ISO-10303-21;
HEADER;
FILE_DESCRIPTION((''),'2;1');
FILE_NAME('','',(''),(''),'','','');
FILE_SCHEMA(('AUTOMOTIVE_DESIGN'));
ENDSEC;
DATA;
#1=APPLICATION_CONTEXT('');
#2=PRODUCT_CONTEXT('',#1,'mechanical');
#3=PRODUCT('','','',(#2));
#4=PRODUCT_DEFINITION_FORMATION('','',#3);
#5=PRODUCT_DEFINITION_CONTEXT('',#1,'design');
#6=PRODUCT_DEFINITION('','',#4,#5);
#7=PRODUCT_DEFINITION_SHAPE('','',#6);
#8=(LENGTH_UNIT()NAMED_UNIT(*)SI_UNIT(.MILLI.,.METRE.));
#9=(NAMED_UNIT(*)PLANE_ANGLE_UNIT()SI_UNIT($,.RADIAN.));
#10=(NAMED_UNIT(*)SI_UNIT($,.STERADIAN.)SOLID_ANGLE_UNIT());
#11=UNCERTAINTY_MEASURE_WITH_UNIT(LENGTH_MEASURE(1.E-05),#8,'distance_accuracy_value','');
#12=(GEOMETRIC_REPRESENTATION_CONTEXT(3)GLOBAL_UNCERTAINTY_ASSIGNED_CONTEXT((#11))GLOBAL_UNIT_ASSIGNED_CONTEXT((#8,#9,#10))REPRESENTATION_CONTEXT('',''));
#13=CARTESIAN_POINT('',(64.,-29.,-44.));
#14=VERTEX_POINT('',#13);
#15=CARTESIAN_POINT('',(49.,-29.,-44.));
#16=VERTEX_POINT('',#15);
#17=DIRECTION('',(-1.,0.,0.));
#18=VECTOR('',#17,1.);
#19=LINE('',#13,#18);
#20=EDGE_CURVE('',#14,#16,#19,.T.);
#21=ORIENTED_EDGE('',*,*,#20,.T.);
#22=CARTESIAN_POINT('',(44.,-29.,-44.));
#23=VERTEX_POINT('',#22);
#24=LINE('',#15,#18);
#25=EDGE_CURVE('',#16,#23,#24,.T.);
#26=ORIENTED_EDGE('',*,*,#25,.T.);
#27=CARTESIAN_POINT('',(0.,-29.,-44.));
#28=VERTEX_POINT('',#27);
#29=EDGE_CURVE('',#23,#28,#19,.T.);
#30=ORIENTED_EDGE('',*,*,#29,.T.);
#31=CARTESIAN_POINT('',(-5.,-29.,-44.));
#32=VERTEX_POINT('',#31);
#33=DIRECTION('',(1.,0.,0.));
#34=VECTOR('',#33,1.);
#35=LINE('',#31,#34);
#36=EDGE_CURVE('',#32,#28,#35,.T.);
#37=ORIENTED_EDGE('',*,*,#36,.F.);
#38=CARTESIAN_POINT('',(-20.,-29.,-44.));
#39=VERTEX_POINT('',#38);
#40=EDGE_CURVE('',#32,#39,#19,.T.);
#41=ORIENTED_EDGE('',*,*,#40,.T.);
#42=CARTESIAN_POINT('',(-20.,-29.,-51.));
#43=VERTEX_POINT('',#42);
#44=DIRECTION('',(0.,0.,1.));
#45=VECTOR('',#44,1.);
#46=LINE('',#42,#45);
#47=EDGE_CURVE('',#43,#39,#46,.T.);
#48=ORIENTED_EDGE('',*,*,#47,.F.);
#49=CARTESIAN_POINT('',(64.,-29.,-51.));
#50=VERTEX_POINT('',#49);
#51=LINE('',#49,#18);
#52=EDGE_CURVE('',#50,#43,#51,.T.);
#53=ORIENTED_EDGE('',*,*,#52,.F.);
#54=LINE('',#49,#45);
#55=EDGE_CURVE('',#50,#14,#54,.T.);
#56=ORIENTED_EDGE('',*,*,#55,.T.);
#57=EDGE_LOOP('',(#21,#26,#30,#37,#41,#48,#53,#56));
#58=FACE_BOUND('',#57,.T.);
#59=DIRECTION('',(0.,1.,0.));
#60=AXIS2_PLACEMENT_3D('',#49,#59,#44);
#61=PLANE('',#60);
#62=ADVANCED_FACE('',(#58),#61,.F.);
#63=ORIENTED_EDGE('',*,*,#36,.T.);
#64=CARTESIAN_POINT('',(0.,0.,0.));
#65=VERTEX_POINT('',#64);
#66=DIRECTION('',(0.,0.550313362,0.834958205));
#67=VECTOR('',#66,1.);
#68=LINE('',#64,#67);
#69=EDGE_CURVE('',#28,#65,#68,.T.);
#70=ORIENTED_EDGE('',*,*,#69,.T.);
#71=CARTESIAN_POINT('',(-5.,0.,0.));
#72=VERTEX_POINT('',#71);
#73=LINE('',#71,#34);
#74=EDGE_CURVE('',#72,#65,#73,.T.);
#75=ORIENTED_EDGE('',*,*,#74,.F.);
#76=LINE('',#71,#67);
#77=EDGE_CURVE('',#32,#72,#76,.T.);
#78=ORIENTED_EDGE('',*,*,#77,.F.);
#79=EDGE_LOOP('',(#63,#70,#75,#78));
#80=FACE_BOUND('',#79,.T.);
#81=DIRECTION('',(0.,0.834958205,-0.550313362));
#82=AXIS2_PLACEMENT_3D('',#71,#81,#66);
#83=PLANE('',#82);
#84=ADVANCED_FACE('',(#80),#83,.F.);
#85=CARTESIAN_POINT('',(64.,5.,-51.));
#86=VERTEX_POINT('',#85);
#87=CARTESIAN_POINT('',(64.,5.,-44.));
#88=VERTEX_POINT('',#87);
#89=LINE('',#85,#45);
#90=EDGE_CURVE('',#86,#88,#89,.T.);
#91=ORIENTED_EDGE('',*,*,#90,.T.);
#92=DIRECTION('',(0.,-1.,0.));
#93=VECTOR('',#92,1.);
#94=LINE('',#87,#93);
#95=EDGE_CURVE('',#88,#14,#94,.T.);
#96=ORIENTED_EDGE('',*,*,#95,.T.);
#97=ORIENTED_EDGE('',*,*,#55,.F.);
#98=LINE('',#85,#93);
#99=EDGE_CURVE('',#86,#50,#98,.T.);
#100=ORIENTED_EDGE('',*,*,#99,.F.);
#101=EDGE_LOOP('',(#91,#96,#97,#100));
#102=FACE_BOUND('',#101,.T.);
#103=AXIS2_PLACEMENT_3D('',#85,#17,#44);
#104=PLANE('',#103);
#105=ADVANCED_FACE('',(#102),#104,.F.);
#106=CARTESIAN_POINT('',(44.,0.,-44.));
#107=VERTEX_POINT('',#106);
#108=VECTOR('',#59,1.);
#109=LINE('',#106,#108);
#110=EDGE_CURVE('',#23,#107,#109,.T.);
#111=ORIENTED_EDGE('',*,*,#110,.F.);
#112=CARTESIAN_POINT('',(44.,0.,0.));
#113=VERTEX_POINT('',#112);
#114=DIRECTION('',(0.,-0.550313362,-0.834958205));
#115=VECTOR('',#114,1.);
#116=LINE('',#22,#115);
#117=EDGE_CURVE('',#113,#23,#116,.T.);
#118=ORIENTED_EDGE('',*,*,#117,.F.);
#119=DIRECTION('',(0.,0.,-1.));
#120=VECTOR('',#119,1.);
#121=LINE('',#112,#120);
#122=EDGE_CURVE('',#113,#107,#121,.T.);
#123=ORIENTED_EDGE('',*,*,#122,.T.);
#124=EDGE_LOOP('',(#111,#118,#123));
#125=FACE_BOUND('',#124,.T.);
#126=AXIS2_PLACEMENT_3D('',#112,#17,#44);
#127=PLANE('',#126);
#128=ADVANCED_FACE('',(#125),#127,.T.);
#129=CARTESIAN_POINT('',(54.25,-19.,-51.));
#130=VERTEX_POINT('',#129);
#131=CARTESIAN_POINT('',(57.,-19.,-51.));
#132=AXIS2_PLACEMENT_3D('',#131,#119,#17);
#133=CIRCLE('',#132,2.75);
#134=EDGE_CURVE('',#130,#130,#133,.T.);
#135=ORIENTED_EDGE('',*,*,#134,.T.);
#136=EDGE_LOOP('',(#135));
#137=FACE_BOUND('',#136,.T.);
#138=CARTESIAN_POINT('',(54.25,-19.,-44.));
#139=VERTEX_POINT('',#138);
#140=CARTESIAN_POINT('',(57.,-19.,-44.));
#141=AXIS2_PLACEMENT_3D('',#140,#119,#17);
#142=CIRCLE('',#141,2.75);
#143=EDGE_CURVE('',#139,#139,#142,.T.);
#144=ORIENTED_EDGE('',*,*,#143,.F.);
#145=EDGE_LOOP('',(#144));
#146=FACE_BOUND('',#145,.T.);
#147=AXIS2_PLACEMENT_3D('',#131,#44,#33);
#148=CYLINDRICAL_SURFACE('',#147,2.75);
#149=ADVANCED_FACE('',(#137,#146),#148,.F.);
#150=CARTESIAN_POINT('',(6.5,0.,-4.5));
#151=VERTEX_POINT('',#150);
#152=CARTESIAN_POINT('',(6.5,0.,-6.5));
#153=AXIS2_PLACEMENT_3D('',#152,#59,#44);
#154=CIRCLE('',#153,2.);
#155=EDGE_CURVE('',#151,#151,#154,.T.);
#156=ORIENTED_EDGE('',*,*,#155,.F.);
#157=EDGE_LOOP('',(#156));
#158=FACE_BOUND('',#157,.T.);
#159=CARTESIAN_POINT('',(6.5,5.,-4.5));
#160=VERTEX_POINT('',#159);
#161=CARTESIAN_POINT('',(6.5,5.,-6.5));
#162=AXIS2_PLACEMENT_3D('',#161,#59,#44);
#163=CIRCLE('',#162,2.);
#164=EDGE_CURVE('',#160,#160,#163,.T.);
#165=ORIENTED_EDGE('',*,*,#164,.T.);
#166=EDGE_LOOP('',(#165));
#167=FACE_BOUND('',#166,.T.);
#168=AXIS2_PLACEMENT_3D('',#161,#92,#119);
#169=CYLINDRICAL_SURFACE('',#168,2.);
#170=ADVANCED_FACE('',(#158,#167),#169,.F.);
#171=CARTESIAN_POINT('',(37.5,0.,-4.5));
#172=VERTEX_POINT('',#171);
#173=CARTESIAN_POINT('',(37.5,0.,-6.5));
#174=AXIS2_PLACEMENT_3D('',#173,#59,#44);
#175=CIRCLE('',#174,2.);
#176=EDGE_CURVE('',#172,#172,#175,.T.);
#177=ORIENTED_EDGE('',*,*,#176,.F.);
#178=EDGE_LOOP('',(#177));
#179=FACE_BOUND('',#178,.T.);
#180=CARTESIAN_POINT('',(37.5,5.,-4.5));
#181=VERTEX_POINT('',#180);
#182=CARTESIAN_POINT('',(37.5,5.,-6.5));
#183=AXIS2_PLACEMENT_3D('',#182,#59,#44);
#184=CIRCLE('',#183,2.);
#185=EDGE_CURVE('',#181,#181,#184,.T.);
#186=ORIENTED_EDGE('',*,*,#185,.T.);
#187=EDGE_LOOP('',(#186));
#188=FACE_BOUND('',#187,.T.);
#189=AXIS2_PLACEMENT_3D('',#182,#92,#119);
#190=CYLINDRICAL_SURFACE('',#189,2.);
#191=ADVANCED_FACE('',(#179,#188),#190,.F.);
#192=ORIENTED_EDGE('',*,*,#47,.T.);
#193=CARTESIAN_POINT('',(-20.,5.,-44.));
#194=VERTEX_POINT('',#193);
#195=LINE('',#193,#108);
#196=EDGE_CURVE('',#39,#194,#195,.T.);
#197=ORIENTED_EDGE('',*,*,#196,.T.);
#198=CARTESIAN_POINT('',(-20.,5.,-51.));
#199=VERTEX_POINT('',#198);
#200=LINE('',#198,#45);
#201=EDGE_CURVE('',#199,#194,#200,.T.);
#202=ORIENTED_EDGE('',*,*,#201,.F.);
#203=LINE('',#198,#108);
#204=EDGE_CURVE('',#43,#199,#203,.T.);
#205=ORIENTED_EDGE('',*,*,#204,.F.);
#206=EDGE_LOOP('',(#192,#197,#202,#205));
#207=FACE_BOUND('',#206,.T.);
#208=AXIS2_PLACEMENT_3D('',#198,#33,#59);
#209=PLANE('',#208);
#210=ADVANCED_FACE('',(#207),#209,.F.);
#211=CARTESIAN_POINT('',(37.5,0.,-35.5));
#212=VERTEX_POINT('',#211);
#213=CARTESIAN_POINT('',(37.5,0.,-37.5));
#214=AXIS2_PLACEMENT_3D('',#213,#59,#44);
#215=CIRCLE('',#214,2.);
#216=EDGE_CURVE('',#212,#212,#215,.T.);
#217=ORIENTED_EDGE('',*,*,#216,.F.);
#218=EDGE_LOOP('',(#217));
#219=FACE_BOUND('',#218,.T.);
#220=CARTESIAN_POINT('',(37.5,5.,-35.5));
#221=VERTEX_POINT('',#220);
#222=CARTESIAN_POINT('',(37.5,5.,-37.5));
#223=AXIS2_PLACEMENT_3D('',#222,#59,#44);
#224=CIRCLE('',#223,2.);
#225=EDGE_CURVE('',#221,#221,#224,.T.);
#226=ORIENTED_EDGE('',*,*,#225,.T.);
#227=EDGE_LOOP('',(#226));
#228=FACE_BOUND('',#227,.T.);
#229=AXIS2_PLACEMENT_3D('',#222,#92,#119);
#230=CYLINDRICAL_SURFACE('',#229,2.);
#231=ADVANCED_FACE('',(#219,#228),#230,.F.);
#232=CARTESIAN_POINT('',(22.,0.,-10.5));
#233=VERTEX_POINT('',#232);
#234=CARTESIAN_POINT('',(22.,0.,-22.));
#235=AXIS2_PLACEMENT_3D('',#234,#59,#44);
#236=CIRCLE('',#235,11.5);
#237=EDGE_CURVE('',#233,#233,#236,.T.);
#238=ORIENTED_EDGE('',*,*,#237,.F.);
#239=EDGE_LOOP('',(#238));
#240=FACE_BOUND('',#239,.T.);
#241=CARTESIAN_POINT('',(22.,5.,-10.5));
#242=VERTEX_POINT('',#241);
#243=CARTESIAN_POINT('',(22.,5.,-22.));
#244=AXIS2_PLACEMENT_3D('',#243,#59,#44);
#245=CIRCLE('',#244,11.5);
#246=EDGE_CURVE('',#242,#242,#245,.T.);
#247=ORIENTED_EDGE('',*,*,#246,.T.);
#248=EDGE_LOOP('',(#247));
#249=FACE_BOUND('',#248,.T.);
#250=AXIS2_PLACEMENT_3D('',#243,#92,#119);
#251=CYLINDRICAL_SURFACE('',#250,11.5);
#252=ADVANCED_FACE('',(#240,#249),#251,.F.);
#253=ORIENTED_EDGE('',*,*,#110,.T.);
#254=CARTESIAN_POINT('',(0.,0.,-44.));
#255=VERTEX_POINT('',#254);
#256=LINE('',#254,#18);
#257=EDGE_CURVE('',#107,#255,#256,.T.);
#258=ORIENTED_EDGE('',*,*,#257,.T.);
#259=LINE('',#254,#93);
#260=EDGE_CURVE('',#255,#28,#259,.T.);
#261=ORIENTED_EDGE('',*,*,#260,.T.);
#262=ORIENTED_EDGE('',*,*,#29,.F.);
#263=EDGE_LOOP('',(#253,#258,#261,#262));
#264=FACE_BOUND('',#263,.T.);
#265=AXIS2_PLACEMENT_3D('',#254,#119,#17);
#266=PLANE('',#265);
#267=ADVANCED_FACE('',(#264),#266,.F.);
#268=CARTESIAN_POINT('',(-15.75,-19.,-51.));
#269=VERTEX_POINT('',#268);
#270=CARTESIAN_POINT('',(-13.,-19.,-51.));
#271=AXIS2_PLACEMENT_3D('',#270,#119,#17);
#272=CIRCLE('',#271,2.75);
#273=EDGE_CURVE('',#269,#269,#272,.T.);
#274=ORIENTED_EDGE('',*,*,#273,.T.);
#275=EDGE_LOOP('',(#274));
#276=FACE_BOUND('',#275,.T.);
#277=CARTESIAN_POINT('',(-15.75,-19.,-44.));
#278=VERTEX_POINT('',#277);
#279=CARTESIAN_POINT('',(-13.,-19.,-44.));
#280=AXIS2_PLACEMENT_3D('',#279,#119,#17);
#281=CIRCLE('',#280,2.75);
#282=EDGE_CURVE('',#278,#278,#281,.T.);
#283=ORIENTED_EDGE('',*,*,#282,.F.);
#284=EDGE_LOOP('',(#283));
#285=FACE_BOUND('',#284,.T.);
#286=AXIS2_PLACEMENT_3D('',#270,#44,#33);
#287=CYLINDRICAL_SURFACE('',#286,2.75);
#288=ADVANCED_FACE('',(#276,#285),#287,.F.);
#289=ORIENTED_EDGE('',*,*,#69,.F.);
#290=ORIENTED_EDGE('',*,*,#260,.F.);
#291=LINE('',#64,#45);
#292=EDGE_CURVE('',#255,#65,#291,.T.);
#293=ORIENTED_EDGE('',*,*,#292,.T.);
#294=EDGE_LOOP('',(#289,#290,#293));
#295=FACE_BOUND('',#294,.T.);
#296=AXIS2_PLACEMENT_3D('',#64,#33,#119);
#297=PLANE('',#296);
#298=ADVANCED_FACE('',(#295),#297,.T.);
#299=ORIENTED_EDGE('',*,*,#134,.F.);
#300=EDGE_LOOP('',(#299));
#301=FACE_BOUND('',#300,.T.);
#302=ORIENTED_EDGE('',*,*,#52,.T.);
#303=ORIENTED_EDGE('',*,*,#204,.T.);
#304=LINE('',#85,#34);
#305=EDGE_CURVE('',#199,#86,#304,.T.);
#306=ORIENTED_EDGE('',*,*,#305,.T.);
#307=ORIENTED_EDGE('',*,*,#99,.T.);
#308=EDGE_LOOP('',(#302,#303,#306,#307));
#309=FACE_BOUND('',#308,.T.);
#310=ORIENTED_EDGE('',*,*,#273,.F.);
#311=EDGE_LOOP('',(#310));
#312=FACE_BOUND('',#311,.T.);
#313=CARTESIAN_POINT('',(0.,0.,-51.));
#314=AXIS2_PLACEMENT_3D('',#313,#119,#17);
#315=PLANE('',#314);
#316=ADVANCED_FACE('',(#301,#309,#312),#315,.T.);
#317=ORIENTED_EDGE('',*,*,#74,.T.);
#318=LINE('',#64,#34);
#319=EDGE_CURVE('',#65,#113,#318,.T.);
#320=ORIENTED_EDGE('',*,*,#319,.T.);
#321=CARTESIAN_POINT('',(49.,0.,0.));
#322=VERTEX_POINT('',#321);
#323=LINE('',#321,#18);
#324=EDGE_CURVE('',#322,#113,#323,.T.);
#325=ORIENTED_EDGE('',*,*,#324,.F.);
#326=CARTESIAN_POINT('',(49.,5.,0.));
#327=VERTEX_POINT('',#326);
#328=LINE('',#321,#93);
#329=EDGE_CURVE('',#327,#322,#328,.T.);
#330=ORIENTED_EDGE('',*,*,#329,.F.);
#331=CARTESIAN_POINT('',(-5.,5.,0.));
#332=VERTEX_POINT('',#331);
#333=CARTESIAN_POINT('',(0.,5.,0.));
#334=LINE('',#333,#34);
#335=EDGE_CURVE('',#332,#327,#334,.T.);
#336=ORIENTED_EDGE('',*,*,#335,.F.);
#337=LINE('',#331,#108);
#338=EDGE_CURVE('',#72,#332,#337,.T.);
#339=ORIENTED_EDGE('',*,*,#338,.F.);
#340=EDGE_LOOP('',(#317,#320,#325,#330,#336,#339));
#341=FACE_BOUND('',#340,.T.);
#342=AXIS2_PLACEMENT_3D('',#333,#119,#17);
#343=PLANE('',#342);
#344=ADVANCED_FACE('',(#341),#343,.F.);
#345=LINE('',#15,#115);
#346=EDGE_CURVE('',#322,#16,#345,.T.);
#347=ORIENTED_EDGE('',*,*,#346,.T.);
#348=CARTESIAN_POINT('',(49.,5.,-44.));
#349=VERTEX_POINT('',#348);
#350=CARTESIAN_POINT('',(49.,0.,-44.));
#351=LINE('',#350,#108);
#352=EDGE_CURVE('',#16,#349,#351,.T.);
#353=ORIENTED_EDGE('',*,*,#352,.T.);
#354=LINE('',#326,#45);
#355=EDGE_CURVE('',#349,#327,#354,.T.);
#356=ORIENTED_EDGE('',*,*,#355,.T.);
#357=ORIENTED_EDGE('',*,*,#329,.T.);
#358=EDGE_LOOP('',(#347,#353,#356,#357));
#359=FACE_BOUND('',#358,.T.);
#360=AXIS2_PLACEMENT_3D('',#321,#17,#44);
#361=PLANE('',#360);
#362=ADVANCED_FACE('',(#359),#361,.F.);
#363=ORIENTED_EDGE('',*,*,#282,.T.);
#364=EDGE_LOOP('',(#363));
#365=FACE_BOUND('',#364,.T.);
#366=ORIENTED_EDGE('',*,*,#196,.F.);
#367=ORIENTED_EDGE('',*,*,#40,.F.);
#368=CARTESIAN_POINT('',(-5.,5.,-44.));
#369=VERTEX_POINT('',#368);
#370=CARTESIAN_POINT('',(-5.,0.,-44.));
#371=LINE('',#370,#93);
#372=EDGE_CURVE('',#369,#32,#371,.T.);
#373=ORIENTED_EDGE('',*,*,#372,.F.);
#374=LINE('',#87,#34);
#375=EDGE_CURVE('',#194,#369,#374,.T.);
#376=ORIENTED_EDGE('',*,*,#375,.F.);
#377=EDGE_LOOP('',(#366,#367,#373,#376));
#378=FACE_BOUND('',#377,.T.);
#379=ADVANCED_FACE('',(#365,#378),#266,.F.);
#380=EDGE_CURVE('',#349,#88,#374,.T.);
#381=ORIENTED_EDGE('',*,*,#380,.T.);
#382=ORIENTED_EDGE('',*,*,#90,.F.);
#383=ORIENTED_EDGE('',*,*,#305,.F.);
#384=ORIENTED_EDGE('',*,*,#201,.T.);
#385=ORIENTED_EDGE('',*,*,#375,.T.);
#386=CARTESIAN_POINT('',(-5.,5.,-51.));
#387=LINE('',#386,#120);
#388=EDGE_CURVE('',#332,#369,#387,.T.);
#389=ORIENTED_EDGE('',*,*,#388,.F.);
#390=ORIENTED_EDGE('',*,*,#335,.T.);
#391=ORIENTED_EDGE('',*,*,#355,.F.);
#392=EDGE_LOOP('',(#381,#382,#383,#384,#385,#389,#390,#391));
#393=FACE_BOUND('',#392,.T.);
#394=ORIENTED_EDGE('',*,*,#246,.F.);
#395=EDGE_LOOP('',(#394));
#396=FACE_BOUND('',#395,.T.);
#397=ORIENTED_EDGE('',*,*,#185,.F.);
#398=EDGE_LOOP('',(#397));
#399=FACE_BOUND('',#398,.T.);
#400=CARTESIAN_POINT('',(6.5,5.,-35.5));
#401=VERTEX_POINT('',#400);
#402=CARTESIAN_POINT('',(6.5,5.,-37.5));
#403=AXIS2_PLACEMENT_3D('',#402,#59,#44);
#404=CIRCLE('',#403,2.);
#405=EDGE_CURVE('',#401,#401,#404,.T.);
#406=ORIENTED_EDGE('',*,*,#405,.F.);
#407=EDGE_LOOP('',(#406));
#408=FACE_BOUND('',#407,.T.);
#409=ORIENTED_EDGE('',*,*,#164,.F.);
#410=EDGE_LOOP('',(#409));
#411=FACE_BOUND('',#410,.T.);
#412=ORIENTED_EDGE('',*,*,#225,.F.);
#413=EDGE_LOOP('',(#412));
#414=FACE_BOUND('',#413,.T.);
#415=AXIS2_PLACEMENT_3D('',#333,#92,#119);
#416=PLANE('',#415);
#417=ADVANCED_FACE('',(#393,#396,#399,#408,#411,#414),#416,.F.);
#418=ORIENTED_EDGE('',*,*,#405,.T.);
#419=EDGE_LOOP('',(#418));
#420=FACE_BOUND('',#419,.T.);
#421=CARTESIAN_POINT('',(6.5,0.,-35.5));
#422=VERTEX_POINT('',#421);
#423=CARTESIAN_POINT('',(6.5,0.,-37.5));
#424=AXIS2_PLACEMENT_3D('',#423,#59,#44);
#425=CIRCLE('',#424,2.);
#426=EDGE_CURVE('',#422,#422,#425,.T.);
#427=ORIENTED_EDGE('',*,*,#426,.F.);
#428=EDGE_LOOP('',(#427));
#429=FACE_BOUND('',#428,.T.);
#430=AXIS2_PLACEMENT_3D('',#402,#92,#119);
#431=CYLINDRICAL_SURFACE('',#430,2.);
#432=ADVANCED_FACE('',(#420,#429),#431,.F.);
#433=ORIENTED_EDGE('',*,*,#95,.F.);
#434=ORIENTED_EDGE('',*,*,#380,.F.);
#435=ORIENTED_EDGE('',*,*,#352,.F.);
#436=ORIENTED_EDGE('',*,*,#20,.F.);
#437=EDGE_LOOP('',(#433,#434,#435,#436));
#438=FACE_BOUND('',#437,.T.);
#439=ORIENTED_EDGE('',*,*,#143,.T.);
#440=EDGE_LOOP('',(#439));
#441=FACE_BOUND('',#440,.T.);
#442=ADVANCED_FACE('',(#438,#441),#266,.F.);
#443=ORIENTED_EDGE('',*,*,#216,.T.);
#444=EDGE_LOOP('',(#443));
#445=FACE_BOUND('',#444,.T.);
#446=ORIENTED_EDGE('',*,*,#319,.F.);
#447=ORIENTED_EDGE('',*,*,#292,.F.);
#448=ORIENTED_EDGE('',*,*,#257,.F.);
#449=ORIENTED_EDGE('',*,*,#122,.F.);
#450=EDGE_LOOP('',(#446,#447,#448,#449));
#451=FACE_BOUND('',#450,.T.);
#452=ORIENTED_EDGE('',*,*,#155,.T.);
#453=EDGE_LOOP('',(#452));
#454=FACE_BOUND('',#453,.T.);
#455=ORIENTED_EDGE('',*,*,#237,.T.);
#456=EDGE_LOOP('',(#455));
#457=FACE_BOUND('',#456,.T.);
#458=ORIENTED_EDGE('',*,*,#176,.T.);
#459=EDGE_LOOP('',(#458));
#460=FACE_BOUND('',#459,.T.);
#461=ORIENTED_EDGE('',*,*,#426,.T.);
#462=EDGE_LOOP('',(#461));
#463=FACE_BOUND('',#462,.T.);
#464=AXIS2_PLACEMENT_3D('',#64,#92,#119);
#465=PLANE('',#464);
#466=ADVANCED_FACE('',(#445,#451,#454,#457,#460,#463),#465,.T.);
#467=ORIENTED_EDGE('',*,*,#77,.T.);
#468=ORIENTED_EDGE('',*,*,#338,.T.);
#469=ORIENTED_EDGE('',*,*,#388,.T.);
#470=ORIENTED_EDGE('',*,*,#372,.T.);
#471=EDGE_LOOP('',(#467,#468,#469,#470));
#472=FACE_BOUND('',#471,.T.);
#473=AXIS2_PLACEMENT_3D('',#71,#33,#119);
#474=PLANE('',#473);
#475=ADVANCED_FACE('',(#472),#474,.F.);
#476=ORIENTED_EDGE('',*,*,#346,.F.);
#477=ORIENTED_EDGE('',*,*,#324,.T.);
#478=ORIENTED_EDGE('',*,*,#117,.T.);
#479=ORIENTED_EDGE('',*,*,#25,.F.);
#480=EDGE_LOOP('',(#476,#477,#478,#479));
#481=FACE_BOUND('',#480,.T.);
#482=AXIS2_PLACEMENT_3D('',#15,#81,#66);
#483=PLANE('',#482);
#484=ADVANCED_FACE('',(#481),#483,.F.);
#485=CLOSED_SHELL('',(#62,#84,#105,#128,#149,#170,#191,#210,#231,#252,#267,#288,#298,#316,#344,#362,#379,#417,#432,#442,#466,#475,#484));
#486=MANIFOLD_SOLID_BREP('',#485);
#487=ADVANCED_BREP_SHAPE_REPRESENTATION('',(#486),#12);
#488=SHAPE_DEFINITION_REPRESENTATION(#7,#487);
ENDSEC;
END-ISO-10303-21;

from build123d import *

# Parameters (mm, degrees)
SKETCH2_W           = 44
SKETCH2_H           = 44
SKETCH2_R           = 2
SKETCH2_R_2         = 11.5
BOSS_EXTRUDE1_DEPTH = 5
SKETCH4_W           = 84
SKETCH4_H           = 34
SKETCH4_R           = 2.75
BOSS_EXTRUDE2_DEPTH = 7
BOSS_EXTRUDE3_DEPTH = 5
BOSS_EXTRUDE4_DEPTH = 5


with BuildPart() as part:
    # Sketch2 → Boss-Extrude1 (new body)
    with BuildSketch(Plane(origin=(0, 0, 0), x_dir=(1, 0, 0), z_dir=(0, 1, 0))):
        with Locations((22, 22)):
            Rectangle(SKETCH2_W, SKETCH2_H)
        with Locations((6.5, 37.5)):
            Circle(SKETCH2_R, mode=Mode.SUBTRACT)
        with Locations((6.5, 6.5)):
            Circle(SKETCH2_R, mode=Mode.SUBTRACT)
        with Locations((37.5, 6.5)):
            Circle(SKETCH2_R, mode=Mode.SUBTRACT)
        with Locations((37.5, 37.5)):
            Circle(SKETCH2_R, mode=Mode.SUBTRACT)
        with Locations((22, 22)):
            Circle(SKETCH2_R_2, mode=Mode.SUBTRACT)
    extrude(amount=BOSS_EXTRUDE1_DEPTH)

    # Sketch4 → Boss-Extrude2 (add)
    with BuildSketch(Plane(origin=(0, 0, -44), x_dir=(-1, 0, 0), z_dir=(0, 0, -1))):
        with Locations((-22, -12)):
            Rectangle(SKETCH4_W, SKETCH4_H)
        with Locations((-57, -19)):
            Circle(SKETCH4_R, mode=Mode.SUBTRACT)
        with Locations((13, -19)):
            Circle(SKETCH4_R, mode=Mode.SUBTRACT)
    extrude(amount=BOSS_EXTRUDE2_DEPTH)

    # Sketch5 → Boss-Extrude3 (add)
    with BuildSketch(Plane(origin=(44, 0, 0), x_dir=(0, 0, -1), z_dir=(1, 0, 0))):
        Polygon((0, 5), (51, 5), (51, -29), (44, -29), (0, 0), align=None)
    extrude(amount=BOSS_EXTRUDE3_DEPTH)

    # Sketch6 → Boss-Extrude4 (add)
    with BuildSketch(Plane.ZY):
        Polygon((-51, 5), (0, 5), (0, 0), (-44, -29), (-51, -29), align=None)
    extrude(amount=BOSS_EXTRUDE4_DEPTH)


solid = part.part
